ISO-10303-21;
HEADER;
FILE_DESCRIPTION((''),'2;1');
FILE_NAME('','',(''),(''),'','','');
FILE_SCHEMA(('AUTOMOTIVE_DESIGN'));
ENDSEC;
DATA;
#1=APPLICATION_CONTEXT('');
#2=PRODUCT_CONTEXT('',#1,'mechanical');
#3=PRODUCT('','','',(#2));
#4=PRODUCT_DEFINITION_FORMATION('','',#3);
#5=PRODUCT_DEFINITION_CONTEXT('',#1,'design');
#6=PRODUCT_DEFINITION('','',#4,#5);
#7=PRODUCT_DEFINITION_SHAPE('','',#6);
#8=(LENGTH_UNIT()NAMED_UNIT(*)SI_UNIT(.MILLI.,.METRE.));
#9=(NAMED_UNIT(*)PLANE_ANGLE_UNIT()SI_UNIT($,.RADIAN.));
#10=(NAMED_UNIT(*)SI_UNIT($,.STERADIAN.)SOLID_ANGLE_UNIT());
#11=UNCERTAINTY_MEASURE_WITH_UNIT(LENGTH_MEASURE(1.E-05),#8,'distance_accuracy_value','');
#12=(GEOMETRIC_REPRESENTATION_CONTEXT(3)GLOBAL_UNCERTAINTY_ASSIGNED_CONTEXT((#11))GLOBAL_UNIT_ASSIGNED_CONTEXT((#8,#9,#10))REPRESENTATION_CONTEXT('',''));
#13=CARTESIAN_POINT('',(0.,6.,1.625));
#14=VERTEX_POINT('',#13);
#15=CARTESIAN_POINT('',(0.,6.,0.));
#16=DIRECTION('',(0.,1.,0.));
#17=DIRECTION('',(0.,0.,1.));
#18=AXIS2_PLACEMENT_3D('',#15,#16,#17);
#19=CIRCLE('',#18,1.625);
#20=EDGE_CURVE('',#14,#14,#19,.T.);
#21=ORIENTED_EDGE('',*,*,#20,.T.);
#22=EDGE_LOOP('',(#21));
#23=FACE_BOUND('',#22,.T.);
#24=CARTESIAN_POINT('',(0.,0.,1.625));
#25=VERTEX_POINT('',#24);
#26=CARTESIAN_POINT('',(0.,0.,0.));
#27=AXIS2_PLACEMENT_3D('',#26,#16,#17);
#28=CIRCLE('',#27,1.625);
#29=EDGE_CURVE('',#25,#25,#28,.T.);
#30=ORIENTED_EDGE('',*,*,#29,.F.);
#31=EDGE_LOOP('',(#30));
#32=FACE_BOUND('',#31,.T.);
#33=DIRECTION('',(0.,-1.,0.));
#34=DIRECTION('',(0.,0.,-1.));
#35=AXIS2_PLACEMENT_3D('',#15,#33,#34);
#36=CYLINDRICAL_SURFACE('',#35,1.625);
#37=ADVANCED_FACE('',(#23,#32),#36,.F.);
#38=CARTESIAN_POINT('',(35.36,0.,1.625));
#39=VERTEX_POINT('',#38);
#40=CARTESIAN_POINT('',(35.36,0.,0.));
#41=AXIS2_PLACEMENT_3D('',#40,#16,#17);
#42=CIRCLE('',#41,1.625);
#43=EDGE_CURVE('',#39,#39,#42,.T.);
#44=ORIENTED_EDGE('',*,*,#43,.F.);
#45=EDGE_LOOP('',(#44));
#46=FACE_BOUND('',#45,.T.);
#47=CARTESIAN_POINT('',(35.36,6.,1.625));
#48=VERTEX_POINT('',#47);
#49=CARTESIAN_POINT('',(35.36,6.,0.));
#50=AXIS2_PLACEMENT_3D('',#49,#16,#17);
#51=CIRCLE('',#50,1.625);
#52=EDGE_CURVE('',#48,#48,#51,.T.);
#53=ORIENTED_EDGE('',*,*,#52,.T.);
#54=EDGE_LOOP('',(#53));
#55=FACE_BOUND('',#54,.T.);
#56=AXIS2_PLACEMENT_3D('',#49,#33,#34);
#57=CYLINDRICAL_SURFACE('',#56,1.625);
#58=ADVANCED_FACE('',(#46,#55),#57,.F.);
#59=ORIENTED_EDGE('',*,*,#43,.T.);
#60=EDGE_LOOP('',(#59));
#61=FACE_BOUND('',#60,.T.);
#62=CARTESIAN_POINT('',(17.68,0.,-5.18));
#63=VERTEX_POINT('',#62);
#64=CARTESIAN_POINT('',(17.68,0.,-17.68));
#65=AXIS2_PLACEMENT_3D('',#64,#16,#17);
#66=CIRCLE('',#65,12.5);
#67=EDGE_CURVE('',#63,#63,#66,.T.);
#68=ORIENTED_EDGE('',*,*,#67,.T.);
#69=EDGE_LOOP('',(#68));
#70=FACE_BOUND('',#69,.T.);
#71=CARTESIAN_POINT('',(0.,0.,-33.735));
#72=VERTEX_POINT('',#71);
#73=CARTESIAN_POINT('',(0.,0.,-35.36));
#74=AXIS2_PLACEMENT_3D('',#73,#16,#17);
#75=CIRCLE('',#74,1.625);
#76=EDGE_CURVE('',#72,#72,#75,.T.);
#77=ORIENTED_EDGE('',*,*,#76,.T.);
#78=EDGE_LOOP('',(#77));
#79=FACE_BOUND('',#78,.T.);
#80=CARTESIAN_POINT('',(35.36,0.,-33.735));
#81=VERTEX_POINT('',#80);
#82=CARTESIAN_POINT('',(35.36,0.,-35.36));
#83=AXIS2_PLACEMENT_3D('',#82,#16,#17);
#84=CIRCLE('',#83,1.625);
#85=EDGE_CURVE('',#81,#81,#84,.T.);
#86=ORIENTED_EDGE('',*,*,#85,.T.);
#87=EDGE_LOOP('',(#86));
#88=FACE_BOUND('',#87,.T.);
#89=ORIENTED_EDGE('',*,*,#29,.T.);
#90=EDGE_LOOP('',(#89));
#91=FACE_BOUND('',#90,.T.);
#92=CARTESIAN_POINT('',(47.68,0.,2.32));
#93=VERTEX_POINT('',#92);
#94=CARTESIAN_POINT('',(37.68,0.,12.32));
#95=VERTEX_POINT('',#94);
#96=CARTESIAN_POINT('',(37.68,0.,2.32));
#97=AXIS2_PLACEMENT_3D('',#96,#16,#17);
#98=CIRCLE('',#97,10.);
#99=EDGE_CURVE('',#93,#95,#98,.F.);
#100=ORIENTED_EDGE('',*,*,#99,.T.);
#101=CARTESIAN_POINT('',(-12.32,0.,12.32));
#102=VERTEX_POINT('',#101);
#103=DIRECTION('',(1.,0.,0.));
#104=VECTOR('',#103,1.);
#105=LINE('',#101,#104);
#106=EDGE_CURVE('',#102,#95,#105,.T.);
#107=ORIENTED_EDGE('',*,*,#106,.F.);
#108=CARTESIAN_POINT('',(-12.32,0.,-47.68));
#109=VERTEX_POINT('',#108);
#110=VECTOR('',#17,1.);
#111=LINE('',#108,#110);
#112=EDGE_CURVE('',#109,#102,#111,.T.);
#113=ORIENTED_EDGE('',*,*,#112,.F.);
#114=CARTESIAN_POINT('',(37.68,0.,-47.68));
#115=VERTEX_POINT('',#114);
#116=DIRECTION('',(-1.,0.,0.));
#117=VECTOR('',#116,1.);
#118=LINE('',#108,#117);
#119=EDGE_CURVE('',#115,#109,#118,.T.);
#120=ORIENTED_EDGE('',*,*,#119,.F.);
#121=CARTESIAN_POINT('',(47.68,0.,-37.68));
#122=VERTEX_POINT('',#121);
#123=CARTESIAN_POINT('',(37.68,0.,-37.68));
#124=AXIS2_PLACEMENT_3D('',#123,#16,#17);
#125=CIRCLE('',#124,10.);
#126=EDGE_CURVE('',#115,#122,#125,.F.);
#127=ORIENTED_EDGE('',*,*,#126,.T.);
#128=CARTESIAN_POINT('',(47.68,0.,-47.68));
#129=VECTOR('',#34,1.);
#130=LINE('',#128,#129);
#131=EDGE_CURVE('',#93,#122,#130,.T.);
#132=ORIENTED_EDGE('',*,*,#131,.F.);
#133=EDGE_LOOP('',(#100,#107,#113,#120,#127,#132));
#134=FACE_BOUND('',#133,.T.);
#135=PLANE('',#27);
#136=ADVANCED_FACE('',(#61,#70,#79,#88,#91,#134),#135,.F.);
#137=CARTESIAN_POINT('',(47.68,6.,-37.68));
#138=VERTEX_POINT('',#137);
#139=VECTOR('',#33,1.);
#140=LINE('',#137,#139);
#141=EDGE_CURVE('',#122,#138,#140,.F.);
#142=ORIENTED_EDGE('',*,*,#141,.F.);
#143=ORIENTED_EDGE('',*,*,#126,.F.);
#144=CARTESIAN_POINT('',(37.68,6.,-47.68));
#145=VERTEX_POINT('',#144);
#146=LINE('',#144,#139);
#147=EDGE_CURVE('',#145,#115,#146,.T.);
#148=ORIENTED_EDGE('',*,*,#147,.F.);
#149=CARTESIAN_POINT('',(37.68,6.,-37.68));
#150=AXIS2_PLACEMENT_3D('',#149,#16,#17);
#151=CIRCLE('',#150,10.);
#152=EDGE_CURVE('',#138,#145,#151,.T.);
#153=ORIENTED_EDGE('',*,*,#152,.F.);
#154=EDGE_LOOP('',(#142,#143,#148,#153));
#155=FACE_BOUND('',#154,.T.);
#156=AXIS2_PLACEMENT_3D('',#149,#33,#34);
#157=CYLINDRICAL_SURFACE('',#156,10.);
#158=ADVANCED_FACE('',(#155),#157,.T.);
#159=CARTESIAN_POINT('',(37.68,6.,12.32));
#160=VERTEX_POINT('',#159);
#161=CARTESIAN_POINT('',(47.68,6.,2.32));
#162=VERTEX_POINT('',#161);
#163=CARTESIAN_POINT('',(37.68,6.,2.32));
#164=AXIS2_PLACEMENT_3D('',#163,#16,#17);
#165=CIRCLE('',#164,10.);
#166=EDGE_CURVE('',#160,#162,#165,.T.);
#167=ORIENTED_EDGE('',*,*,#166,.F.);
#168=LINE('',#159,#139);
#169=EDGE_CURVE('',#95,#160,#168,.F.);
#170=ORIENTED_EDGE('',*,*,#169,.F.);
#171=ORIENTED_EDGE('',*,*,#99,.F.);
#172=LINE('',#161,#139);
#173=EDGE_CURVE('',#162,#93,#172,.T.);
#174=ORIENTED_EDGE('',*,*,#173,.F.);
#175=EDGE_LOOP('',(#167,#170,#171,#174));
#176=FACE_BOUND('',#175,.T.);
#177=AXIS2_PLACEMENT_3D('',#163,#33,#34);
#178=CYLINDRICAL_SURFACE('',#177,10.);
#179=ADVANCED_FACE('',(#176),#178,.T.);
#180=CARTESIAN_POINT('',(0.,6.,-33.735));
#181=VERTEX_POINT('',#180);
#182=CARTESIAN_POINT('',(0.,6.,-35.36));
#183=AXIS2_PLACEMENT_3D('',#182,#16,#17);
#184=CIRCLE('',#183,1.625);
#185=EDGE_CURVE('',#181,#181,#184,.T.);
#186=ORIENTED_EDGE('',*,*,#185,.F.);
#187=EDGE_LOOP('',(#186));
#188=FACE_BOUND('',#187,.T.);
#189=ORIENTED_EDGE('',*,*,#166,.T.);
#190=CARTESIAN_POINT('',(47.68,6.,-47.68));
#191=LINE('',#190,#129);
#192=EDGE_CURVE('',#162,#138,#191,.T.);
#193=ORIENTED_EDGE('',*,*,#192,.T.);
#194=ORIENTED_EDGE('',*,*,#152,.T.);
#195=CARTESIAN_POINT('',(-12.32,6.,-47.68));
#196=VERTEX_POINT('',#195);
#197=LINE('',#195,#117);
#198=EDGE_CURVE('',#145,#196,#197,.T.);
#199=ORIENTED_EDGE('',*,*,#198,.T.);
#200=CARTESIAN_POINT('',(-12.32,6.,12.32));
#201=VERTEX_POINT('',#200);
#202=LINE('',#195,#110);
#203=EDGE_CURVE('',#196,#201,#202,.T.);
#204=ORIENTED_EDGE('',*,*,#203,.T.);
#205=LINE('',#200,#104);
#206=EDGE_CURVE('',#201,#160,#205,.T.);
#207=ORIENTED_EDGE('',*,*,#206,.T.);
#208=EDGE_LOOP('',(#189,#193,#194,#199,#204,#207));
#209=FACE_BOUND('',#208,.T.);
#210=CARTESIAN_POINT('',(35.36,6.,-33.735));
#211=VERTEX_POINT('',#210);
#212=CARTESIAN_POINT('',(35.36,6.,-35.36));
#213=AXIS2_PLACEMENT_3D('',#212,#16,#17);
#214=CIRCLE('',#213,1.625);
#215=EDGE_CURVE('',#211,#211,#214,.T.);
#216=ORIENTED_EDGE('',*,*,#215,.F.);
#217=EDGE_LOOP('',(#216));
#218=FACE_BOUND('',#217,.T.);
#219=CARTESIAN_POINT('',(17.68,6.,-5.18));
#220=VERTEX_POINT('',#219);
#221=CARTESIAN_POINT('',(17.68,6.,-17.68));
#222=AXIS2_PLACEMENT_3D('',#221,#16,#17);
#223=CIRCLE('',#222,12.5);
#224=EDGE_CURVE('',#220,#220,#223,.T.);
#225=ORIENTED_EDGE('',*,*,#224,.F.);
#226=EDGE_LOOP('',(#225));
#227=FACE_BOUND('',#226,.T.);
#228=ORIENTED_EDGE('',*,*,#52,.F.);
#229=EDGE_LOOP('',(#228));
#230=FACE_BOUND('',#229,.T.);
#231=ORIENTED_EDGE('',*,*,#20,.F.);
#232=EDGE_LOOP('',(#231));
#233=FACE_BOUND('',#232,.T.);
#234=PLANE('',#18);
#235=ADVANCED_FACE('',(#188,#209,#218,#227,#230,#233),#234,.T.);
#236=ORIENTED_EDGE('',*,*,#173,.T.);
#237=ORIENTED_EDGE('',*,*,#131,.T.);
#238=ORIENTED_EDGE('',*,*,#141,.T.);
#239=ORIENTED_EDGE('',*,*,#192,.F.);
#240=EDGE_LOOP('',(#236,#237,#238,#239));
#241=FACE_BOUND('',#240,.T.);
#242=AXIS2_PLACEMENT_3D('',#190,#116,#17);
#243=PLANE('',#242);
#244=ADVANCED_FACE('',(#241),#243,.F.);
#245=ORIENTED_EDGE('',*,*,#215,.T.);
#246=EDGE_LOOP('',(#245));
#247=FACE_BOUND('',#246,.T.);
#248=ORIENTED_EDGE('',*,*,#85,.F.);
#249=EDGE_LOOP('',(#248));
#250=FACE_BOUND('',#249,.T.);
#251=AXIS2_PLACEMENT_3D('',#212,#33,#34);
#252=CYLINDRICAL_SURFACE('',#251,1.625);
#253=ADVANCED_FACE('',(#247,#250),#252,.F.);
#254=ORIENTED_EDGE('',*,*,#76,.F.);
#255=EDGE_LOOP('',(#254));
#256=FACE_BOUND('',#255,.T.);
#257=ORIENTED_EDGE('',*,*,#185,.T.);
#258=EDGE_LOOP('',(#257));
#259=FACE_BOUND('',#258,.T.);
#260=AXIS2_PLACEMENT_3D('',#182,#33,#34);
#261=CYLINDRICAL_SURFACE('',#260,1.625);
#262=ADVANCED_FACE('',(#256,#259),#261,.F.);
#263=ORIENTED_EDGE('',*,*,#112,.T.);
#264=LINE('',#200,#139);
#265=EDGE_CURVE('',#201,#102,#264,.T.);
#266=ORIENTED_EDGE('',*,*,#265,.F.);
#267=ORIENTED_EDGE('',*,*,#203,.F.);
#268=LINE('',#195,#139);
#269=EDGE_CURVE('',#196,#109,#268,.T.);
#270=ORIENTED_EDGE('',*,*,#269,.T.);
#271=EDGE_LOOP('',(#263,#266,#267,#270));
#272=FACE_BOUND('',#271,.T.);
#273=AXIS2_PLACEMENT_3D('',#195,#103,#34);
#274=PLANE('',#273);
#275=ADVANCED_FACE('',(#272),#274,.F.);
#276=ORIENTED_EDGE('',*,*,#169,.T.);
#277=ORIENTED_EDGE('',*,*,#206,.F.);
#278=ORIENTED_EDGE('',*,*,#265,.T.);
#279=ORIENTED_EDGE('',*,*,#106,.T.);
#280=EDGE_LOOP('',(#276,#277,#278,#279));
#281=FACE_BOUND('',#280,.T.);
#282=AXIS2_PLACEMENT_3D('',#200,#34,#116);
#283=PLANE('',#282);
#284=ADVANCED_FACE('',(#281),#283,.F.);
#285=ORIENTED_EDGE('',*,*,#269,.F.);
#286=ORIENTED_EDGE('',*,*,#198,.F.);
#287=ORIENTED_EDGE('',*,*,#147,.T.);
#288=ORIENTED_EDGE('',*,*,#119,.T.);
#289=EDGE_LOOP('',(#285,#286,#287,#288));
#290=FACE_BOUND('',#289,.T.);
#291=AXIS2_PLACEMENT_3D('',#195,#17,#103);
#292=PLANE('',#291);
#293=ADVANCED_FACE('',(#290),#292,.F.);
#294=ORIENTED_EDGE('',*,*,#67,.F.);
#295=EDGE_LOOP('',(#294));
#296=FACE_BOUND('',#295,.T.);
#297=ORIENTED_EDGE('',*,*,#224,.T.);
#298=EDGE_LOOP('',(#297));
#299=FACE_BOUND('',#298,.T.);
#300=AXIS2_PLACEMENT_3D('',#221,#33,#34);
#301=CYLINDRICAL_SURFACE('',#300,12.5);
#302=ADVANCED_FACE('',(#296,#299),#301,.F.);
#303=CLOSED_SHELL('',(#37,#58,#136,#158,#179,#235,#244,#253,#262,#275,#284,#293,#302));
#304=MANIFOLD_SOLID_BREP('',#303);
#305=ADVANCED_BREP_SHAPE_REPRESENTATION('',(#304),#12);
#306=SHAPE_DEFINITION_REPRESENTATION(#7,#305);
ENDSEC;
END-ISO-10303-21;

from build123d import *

# Parameters (mm, degrees)
SKETCH1_W           = 60
SKETCH1_H           = 60
SKETCH1_R           = 1.625
SKETCH1_R_2         = 12.5
BOSS_EXTRUDE1_DEPTH = 6
FILLET1_R           = 10


with BuildPart() as part:
    # Sketch1 → Boss-Extrude1 (new body)
    with BuildSketch(Plane(origin=(0, 0, 0), x_dir=(1, 0, 0), z_dir=(0, 1, 0))):
        with Locations((17.68, 17.68)):
            Rectangle(SKETCH1_W, SKETCH1_H)
        with Locations((0, 35.36)):
            Circle(SKETCH1_R, mode=Mode.SUBTRACT)
        with Locations((35.36, 35.36)):
            Circle(SKETCH1_R, mode=Mode.SUBTRACT)
        with Locations((35.36, 0)):
            Circle(SKETCH1_R, mode=Mode.SUBTRACT)
        Circle(SKETCH1_R, mode=Mode.SUBTRACT)
        with Locations((17.68, 17.68)):
            Circle(SKETCH1_R_2, mode=Mode.SUBTRACT)
    extrude(amount=BOSS_EXTRUDE1_DEPTH)

    # Fillet1
    fillet1_edges = [part.edges().sort_by_distance(p)[0] for p in [
        (47.68, 3, -47.68),
        (47.68, 3, 12.32),
    ]]
    fillet(fillet1_edges, radius=FILLET1_R)


solid = part.part
